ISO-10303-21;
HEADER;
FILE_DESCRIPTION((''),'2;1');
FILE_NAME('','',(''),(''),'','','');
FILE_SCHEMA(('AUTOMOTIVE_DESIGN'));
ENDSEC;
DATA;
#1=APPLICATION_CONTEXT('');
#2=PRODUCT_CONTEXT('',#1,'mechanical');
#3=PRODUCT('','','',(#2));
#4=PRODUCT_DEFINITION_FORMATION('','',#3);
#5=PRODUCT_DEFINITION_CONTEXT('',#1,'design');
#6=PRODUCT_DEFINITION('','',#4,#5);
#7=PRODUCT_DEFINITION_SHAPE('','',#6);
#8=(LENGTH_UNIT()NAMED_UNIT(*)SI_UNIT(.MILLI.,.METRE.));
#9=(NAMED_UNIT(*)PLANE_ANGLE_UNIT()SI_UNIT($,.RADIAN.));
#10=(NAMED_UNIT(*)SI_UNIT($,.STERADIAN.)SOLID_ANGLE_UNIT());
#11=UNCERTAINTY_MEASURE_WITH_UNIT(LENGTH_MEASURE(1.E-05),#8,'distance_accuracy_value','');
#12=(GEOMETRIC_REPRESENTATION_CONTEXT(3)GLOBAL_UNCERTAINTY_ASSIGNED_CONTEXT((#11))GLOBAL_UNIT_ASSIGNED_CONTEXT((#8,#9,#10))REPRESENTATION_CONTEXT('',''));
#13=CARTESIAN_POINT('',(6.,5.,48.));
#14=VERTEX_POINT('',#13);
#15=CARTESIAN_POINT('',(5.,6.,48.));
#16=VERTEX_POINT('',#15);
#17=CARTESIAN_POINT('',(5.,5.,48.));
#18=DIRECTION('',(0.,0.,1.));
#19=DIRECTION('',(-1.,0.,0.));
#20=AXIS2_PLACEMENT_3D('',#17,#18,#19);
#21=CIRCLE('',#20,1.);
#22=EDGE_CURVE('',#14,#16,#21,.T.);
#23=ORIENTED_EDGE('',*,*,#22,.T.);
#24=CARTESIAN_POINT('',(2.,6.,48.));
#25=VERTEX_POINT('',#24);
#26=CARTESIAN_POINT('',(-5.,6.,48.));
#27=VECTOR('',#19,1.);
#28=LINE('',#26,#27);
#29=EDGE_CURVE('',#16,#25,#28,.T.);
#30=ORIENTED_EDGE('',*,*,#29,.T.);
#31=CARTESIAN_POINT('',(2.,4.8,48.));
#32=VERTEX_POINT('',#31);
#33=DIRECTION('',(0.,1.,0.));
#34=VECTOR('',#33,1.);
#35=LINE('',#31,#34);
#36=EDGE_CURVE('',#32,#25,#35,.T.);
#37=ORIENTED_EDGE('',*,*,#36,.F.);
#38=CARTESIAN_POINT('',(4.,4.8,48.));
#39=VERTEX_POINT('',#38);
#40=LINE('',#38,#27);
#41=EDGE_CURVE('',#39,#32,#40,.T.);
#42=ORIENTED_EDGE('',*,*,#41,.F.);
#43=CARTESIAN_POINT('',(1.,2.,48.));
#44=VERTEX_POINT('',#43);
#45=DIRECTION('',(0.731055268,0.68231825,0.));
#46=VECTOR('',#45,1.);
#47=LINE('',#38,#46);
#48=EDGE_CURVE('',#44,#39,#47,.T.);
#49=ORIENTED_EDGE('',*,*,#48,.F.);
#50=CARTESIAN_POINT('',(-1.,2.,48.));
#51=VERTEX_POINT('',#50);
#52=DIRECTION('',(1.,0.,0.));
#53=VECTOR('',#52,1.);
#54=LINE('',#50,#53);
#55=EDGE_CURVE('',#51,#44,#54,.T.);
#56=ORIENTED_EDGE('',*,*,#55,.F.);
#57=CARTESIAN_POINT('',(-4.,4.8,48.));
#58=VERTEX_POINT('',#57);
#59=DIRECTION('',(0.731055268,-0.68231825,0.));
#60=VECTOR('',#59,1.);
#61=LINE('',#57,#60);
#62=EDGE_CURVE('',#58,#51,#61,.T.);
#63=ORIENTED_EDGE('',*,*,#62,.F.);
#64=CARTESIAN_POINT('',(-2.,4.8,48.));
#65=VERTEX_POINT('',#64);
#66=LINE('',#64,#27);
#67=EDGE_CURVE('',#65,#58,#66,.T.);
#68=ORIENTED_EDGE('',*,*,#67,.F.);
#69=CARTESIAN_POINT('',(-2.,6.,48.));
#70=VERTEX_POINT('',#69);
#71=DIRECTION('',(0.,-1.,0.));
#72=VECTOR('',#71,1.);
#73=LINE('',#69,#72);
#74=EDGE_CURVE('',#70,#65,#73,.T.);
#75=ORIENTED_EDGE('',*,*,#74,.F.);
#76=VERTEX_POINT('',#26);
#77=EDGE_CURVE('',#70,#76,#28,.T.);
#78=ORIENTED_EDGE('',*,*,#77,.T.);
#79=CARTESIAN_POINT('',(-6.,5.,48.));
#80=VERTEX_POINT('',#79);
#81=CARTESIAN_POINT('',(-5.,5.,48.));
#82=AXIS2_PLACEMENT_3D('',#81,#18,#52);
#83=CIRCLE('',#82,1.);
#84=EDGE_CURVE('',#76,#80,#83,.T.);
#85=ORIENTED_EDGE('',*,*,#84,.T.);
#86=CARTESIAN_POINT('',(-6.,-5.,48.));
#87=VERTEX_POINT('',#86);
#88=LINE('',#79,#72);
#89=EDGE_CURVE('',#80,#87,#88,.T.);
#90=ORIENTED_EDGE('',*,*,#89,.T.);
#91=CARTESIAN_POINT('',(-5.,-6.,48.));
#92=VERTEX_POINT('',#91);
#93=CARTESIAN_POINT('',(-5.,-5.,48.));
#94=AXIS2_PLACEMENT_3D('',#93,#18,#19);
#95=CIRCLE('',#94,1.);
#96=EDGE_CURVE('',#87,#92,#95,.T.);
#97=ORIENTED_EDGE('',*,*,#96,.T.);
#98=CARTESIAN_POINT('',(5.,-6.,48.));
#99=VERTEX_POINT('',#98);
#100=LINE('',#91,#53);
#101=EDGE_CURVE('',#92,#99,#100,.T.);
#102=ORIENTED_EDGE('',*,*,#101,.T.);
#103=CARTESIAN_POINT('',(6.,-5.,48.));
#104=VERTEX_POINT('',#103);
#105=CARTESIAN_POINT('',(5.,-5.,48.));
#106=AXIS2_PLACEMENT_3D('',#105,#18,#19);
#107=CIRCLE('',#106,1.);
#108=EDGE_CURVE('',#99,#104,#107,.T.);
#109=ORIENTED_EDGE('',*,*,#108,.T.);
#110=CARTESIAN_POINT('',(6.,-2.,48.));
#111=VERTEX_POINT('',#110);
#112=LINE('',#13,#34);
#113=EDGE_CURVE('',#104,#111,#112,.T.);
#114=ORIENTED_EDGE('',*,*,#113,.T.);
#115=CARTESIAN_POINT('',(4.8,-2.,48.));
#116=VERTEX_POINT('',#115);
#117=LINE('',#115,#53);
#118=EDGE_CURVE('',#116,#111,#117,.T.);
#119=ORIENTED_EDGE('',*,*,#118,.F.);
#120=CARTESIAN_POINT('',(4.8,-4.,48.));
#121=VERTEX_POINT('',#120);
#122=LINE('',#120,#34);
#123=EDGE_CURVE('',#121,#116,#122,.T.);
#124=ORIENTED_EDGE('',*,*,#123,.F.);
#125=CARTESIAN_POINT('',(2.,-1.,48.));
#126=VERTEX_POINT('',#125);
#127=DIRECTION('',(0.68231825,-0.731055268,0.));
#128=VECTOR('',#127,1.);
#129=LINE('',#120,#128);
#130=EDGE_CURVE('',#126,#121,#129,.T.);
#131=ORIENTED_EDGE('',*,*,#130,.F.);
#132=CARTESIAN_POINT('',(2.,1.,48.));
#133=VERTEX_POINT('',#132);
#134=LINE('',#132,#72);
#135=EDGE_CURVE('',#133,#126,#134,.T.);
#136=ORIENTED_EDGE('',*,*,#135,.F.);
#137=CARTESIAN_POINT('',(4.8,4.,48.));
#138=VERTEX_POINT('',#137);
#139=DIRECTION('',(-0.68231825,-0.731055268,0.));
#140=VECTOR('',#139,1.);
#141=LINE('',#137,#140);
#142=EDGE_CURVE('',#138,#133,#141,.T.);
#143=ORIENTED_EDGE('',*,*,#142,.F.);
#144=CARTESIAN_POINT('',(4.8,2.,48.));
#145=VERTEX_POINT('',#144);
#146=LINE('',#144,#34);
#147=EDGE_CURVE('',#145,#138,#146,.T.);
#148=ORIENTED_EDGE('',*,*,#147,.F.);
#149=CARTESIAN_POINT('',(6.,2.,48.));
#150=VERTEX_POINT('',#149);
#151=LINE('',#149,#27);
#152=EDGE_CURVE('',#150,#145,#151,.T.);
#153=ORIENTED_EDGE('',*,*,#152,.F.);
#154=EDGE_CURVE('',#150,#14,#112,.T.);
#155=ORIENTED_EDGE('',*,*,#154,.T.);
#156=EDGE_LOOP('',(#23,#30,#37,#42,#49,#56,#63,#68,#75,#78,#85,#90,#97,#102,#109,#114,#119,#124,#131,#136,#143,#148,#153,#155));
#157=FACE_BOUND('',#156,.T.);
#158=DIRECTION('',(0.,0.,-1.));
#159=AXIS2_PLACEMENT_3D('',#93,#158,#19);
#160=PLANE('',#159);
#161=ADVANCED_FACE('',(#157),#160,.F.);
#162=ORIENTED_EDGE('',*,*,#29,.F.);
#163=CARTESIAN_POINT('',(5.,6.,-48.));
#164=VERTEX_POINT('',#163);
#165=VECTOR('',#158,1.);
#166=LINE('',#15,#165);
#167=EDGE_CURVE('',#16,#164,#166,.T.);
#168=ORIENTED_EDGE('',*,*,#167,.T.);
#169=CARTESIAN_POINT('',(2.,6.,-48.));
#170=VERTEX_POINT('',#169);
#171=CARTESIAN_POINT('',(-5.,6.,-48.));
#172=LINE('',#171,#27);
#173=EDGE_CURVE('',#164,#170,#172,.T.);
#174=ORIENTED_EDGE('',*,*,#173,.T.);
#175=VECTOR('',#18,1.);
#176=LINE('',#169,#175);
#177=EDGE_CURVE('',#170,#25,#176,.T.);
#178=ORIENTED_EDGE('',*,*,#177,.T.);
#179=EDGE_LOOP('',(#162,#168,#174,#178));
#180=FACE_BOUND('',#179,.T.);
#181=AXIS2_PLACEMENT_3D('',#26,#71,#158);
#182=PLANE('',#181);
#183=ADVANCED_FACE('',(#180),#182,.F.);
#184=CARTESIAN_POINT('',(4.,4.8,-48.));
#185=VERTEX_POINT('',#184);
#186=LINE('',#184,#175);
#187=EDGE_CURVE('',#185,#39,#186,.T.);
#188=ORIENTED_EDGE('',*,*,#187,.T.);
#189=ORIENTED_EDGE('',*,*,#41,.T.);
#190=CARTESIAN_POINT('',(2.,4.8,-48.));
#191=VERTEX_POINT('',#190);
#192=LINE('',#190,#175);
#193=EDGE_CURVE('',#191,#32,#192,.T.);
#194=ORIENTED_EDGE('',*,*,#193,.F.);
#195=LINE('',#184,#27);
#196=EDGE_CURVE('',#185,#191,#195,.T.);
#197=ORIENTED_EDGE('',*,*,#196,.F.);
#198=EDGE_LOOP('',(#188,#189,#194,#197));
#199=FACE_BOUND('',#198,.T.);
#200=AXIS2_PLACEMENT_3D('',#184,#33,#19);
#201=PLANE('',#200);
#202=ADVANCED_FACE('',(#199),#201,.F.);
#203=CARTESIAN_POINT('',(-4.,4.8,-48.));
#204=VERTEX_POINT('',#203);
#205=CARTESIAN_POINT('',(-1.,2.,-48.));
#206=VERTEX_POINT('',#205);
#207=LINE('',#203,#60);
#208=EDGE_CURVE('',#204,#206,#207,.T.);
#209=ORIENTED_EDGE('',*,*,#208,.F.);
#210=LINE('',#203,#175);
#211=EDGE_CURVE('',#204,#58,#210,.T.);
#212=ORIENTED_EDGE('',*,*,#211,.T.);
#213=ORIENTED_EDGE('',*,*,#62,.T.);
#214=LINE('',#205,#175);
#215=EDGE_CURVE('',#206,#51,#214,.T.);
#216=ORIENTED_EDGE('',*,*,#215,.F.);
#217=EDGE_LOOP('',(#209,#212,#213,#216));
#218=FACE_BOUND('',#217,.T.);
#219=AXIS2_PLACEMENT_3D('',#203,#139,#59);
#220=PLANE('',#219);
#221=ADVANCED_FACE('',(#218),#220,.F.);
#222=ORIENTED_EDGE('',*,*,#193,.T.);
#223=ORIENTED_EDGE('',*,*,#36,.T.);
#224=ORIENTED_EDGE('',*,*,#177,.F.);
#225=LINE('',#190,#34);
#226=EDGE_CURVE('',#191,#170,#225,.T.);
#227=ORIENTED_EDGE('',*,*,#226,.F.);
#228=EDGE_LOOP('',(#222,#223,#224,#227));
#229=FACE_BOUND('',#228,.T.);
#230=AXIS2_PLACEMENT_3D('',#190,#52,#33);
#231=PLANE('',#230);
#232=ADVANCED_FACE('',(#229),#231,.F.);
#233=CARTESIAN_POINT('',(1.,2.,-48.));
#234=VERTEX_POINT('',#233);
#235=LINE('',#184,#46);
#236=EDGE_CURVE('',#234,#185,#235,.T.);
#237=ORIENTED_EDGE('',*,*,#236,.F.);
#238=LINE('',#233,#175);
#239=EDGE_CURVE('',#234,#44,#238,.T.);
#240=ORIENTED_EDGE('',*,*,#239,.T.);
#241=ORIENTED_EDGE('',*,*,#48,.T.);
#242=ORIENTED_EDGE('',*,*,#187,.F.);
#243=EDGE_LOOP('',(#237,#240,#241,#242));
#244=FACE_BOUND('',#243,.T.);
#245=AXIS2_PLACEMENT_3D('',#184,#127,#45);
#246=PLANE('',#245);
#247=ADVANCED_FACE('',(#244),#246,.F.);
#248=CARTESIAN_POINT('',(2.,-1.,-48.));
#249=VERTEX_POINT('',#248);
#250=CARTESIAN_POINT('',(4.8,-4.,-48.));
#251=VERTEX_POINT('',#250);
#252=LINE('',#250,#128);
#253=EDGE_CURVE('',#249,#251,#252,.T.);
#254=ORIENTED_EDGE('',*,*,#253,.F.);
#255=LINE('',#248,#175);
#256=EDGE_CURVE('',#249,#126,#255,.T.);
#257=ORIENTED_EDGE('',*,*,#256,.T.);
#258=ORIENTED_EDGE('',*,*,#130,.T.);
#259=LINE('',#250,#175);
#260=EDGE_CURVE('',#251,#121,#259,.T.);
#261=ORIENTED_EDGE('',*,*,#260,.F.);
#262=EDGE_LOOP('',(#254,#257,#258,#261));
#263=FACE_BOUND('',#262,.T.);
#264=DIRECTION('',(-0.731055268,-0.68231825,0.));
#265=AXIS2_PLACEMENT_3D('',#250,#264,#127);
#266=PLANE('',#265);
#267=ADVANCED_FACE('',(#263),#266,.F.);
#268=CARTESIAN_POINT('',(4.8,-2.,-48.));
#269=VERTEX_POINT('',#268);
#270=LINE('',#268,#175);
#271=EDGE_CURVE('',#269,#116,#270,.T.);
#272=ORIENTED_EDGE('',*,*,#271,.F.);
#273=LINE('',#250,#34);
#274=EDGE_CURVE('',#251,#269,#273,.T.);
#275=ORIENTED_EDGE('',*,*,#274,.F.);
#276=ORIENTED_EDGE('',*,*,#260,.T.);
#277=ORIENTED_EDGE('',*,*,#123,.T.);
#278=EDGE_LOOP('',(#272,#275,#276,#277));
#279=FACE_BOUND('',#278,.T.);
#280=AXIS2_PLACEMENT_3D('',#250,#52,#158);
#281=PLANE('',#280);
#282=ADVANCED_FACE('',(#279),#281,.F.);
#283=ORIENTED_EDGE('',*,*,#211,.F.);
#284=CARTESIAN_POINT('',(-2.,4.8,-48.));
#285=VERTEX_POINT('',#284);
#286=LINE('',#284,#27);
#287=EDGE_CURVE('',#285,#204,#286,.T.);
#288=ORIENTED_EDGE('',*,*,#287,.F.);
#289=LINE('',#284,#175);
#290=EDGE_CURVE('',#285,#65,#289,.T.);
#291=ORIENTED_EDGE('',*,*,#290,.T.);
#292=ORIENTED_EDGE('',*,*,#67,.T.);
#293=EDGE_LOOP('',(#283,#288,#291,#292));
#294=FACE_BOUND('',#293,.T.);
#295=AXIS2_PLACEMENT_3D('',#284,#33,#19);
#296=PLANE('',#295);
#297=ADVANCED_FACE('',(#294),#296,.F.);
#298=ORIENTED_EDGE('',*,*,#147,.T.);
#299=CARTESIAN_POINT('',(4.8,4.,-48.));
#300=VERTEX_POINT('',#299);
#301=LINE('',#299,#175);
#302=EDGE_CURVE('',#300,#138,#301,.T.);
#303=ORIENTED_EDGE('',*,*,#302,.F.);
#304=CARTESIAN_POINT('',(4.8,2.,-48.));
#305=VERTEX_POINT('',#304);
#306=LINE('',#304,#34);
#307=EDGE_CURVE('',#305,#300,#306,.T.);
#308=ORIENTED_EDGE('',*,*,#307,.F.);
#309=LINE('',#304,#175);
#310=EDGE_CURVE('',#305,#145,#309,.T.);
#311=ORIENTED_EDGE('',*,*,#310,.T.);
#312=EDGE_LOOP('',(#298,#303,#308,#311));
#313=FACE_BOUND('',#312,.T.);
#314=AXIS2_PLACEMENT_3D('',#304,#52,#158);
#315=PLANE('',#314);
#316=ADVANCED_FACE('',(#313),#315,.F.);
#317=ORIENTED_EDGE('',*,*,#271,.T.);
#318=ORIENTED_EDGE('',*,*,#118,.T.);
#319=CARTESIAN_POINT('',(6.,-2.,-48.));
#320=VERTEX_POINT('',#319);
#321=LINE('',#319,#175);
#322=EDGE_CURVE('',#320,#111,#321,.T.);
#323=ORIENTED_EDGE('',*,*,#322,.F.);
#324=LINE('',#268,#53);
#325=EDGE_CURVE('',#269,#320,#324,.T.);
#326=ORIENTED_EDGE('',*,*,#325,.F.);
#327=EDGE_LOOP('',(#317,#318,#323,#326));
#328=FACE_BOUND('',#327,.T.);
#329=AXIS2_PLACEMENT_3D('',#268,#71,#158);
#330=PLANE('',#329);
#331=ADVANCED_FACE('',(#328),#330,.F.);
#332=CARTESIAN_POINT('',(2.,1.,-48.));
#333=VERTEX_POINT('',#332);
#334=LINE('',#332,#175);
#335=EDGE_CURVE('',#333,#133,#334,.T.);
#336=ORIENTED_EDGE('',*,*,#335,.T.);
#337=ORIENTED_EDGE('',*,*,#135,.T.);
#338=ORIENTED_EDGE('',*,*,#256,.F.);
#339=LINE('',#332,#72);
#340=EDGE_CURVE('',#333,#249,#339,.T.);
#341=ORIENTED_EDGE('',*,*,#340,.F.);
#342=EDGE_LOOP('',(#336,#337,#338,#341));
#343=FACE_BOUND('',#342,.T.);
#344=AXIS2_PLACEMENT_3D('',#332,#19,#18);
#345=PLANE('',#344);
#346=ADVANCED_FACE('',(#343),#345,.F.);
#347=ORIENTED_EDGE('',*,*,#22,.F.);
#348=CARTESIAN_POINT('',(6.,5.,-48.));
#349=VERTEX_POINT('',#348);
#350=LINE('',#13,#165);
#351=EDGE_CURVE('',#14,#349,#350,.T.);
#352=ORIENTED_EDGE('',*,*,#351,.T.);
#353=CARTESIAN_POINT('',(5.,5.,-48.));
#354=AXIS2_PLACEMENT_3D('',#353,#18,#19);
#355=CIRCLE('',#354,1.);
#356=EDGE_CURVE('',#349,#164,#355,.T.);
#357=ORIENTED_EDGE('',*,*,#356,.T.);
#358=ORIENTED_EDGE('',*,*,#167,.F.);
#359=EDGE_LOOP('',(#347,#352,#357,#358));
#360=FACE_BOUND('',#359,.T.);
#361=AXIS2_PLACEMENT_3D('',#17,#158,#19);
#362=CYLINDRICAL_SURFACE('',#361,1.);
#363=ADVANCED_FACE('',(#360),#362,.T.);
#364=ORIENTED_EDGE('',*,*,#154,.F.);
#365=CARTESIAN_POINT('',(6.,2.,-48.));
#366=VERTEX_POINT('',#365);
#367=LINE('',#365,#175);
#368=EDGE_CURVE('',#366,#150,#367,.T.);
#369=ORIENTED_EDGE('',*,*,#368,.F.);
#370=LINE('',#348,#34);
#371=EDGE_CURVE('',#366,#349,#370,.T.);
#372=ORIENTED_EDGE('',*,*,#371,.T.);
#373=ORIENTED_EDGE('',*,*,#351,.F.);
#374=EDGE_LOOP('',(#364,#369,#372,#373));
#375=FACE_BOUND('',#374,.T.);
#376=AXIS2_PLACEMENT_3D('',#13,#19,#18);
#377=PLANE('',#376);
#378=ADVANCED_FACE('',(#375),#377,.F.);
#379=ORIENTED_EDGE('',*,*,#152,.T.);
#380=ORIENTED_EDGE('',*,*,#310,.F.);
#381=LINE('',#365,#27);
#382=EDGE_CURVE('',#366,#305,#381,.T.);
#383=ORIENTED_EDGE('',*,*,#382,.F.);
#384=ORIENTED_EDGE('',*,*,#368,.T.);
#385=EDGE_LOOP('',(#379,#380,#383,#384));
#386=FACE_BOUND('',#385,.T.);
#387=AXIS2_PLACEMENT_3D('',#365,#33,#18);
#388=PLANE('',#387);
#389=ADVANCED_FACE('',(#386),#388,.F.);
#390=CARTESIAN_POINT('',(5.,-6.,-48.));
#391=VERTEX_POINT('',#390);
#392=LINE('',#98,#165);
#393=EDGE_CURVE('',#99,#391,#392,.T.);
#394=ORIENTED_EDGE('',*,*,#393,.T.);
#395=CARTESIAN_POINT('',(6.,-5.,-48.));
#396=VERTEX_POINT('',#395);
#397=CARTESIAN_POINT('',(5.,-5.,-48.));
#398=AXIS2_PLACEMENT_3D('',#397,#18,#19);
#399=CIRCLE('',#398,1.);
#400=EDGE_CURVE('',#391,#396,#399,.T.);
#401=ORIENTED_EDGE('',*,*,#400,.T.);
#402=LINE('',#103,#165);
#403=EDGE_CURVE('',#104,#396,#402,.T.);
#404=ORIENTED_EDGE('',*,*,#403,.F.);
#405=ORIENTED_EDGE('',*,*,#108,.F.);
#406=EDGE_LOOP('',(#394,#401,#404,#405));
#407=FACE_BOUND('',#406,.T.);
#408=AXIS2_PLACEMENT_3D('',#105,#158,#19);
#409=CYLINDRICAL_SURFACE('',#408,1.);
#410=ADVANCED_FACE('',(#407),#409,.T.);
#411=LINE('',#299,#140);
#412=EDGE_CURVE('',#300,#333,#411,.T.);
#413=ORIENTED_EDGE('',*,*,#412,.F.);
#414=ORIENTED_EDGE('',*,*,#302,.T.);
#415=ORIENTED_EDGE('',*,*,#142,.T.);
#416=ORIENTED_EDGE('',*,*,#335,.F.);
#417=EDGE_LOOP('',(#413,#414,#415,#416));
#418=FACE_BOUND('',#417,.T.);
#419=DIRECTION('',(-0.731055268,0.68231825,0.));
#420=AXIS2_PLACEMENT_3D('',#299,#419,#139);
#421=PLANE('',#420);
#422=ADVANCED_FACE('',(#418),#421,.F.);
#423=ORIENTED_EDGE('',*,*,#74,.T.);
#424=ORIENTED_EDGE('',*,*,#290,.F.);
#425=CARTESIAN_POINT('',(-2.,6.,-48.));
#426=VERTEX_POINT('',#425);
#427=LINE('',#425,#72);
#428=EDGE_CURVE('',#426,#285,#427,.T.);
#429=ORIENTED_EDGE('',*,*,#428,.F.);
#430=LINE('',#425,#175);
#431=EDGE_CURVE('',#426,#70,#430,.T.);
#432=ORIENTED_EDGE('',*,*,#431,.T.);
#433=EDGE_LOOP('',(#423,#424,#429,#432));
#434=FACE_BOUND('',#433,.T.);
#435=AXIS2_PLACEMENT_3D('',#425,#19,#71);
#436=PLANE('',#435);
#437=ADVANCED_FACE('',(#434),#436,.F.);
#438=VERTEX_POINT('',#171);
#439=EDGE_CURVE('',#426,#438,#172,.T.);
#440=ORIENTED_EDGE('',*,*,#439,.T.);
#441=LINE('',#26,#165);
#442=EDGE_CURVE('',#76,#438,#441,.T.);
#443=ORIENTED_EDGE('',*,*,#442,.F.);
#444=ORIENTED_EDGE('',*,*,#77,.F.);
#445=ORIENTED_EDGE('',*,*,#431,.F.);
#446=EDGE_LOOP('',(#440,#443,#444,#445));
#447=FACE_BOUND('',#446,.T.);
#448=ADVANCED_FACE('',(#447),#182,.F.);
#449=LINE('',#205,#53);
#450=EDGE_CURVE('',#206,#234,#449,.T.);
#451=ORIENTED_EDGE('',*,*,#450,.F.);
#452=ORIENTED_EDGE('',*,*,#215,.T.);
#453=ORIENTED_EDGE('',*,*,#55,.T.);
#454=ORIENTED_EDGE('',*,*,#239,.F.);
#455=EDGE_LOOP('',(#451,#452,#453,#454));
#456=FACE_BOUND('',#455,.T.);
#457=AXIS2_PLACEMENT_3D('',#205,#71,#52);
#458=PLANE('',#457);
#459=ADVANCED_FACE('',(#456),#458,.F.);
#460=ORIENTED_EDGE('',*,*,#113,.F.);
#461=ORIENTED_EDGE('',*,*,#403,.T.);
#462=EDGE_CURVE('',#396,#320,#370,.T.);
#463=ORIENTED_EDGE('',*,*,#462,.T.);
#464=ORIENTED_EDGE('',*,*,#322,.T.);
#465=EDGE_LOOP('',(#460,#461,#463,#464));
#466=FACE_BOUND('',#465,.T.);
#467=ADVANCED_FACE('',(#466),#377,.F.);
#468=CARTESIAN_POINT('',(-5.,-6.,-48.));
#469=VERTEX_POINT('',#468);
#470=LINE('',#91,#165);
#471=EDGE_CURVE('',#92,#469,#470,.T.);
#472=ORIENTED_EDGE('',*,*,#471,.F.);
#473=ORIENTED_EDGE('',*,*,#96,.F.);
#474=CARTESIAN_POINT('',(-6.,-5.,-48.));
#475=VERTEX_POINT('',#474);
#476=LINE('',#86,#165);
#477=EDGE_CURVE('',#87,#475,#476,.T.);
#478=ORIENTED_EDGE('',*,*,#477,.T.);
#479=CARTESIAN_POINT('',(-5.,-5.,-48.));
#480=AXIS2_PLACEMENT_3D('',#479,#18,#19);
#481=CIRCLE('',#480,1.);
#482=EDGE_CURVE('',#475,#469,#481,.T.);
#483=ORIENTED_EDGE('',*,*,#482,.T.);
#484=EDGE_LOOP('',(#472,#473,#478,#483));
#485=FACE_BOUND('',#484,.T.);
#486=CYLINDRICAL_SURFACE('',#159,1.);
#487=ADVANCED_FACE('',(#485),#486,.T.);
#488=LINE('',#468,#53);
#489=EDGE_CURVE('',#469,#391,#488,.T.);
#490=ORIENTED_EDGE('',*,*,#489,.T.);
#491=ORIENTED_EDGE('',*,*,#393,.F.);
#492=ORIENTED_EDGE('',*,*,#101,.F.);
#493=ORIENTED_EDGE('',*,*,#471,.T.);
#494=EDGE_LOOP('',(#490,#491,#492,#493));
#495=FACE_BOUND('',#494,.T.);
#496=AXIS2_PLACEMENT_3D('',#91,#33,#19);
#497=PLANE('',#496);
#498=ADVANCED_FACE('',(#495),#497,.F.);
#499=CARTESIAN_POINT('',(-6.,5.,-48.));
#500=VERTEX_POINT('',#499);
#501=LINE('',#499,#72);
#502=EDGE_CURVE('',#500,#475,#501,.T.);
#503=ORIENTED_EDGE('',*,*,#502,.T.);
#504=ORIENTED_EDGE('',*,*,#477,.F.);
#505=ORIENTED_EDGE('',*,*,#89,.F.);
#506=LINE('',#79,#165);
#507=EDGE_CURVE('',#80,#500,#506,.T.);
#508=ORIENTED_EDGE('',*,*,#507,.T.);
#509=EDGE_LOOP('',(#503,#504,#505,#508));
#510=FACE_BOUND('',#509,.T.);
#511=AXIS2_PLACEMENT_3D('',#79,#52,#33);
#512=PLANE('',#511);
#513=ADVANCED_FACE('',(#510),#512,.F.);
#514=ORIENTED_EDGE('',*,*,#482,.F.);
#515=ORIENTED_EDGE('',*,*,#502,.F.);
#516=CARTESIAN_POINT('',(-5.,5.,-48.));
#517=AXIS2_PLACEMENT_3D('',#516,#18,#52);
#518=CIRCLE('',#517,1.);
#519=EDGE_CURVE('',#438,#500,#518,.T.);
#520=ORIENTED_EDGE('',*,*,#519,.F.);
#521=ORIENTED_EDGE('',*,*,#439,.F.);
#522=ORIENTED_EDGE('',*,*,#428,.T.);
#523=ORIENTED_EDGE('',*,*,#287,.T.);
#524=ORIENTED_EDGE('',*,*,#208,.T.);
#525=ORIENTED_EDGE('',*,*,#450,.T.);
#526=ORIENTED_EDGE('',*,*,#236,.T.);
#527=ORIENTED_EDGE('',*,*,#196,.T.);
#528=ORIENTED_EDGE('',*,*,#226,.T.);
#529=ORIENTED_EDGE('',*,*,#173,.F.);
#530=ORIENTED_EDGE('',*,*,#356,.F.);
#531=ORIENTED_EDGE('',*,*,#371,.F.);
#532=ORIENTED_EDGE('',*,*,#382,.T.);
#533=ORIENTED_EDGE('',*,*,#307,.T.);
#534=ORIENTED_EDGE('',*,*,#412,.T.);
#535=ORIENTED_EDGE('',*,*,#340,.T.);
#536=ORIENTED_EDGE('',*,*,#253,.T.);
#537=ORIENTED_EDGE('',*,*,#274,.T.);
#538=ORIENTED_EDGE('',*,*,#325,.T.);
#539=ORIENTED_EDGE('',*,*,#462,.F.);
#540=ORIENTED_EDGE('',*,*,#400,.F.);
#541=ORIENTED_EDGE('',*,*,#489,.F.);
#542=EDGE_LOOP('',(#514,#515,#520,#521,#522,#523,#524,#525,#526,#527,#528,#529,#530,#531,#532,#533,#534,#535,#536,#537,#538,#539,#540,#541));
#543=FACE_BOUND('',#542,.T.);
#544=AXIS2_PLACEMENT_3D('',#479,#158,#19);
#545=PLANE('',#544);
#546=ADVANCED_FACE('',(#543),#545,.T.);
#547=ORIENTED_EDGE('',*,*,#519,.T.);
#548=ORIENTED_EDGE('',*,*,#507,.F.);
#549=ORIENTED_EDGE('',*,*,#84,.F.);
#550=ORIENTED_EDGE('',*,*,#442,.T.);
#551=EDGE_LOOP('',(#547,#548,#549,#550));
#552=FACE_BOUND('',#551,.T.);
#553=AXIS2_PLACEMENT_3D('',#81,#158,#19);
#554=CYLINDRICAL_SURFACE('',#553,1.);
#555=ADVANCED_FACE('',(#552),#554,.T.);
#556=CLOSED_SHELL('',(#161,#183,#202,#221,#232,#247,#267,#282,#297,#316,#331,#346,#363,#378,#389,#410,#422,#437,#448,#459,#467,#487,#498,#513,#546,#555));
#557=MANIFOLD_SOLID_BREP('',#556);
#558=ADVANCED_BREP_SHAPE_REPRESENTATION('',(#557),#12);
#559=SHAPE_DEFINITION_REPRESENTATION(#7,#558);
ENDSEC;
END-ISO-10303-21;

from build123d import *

# Parameters (mm, degrees)
EXTRUSION1_DEPTH             = 48
ENL_V_MAT_EXTRU_1_DEPTH      = 97.374270425
R_P_TITION_CIRCULAIRE1_COUNT = 2
R_P_TITION_CIRCULAIRE1_ANGLE = 90


with BuildPart() as part:
    # Esquisse1 → Extrusion1 (new, symmetric)
    with BuildSketch(Plane.XY):
        with BuildLine():
            Line((-6, 5), (-6, -5))
            ThreePointArc((-6, -5), (-5.707106781, -5.707106781), (-5, -6))
            Line((-5, -6), (5, -6))
            ThreePointArc((5, -6), (5.707106781, -5.707106781), (6, -5))
            Line((6, -5), (6, 5))
            ThreePointArc((6, 5), (5.707106781, 5.707106781), (5, 6))
            Line((5, 6), (-5, 6))
            ThreePointArc((-5, 6), (-5.707106781, 5.707106781), (-6, 5))
        make_face()
    extrude(amount=EXTRUSION1_DEPTH, both=True)

    # Esquisse3 → Enlèv. mat.-Extru.1 (cut, through all)
    with BuildSketch(Plane.XY.offset(48)):
        Polygon((6, 2), (4.8, 2), (4.8, 4), (2, 1), (2, -1), (4.8, -4), (4.8, -2), (6, -2), align=None)
    enl_v_mat_extru_1 = extrude(amount=-ENL_V_MAT_EXTRU_1_DEPTH, mode=Mode.SUBTRACT)

    # Répétition circulaire1: Enlèv. mat.-Extru.1 ×2 about axis
    r_p_tition_circulaire1_axis = Axis((0, 0, -1), (0, 0, 1))
    for i in range(1, R_P_TITION_CIRCULAIRE1_COUNT):
        add(enl_v_mat_extru_1.rotate(r_p_tition_circulaire1_axis, i * R_P_TITION_CIRCULAIRE1_ANGLE / (R_P_TITION_CIRCULAIRE1_COUNT - 1)), mode=Mode.SUBTRACT)


solid = part.part
